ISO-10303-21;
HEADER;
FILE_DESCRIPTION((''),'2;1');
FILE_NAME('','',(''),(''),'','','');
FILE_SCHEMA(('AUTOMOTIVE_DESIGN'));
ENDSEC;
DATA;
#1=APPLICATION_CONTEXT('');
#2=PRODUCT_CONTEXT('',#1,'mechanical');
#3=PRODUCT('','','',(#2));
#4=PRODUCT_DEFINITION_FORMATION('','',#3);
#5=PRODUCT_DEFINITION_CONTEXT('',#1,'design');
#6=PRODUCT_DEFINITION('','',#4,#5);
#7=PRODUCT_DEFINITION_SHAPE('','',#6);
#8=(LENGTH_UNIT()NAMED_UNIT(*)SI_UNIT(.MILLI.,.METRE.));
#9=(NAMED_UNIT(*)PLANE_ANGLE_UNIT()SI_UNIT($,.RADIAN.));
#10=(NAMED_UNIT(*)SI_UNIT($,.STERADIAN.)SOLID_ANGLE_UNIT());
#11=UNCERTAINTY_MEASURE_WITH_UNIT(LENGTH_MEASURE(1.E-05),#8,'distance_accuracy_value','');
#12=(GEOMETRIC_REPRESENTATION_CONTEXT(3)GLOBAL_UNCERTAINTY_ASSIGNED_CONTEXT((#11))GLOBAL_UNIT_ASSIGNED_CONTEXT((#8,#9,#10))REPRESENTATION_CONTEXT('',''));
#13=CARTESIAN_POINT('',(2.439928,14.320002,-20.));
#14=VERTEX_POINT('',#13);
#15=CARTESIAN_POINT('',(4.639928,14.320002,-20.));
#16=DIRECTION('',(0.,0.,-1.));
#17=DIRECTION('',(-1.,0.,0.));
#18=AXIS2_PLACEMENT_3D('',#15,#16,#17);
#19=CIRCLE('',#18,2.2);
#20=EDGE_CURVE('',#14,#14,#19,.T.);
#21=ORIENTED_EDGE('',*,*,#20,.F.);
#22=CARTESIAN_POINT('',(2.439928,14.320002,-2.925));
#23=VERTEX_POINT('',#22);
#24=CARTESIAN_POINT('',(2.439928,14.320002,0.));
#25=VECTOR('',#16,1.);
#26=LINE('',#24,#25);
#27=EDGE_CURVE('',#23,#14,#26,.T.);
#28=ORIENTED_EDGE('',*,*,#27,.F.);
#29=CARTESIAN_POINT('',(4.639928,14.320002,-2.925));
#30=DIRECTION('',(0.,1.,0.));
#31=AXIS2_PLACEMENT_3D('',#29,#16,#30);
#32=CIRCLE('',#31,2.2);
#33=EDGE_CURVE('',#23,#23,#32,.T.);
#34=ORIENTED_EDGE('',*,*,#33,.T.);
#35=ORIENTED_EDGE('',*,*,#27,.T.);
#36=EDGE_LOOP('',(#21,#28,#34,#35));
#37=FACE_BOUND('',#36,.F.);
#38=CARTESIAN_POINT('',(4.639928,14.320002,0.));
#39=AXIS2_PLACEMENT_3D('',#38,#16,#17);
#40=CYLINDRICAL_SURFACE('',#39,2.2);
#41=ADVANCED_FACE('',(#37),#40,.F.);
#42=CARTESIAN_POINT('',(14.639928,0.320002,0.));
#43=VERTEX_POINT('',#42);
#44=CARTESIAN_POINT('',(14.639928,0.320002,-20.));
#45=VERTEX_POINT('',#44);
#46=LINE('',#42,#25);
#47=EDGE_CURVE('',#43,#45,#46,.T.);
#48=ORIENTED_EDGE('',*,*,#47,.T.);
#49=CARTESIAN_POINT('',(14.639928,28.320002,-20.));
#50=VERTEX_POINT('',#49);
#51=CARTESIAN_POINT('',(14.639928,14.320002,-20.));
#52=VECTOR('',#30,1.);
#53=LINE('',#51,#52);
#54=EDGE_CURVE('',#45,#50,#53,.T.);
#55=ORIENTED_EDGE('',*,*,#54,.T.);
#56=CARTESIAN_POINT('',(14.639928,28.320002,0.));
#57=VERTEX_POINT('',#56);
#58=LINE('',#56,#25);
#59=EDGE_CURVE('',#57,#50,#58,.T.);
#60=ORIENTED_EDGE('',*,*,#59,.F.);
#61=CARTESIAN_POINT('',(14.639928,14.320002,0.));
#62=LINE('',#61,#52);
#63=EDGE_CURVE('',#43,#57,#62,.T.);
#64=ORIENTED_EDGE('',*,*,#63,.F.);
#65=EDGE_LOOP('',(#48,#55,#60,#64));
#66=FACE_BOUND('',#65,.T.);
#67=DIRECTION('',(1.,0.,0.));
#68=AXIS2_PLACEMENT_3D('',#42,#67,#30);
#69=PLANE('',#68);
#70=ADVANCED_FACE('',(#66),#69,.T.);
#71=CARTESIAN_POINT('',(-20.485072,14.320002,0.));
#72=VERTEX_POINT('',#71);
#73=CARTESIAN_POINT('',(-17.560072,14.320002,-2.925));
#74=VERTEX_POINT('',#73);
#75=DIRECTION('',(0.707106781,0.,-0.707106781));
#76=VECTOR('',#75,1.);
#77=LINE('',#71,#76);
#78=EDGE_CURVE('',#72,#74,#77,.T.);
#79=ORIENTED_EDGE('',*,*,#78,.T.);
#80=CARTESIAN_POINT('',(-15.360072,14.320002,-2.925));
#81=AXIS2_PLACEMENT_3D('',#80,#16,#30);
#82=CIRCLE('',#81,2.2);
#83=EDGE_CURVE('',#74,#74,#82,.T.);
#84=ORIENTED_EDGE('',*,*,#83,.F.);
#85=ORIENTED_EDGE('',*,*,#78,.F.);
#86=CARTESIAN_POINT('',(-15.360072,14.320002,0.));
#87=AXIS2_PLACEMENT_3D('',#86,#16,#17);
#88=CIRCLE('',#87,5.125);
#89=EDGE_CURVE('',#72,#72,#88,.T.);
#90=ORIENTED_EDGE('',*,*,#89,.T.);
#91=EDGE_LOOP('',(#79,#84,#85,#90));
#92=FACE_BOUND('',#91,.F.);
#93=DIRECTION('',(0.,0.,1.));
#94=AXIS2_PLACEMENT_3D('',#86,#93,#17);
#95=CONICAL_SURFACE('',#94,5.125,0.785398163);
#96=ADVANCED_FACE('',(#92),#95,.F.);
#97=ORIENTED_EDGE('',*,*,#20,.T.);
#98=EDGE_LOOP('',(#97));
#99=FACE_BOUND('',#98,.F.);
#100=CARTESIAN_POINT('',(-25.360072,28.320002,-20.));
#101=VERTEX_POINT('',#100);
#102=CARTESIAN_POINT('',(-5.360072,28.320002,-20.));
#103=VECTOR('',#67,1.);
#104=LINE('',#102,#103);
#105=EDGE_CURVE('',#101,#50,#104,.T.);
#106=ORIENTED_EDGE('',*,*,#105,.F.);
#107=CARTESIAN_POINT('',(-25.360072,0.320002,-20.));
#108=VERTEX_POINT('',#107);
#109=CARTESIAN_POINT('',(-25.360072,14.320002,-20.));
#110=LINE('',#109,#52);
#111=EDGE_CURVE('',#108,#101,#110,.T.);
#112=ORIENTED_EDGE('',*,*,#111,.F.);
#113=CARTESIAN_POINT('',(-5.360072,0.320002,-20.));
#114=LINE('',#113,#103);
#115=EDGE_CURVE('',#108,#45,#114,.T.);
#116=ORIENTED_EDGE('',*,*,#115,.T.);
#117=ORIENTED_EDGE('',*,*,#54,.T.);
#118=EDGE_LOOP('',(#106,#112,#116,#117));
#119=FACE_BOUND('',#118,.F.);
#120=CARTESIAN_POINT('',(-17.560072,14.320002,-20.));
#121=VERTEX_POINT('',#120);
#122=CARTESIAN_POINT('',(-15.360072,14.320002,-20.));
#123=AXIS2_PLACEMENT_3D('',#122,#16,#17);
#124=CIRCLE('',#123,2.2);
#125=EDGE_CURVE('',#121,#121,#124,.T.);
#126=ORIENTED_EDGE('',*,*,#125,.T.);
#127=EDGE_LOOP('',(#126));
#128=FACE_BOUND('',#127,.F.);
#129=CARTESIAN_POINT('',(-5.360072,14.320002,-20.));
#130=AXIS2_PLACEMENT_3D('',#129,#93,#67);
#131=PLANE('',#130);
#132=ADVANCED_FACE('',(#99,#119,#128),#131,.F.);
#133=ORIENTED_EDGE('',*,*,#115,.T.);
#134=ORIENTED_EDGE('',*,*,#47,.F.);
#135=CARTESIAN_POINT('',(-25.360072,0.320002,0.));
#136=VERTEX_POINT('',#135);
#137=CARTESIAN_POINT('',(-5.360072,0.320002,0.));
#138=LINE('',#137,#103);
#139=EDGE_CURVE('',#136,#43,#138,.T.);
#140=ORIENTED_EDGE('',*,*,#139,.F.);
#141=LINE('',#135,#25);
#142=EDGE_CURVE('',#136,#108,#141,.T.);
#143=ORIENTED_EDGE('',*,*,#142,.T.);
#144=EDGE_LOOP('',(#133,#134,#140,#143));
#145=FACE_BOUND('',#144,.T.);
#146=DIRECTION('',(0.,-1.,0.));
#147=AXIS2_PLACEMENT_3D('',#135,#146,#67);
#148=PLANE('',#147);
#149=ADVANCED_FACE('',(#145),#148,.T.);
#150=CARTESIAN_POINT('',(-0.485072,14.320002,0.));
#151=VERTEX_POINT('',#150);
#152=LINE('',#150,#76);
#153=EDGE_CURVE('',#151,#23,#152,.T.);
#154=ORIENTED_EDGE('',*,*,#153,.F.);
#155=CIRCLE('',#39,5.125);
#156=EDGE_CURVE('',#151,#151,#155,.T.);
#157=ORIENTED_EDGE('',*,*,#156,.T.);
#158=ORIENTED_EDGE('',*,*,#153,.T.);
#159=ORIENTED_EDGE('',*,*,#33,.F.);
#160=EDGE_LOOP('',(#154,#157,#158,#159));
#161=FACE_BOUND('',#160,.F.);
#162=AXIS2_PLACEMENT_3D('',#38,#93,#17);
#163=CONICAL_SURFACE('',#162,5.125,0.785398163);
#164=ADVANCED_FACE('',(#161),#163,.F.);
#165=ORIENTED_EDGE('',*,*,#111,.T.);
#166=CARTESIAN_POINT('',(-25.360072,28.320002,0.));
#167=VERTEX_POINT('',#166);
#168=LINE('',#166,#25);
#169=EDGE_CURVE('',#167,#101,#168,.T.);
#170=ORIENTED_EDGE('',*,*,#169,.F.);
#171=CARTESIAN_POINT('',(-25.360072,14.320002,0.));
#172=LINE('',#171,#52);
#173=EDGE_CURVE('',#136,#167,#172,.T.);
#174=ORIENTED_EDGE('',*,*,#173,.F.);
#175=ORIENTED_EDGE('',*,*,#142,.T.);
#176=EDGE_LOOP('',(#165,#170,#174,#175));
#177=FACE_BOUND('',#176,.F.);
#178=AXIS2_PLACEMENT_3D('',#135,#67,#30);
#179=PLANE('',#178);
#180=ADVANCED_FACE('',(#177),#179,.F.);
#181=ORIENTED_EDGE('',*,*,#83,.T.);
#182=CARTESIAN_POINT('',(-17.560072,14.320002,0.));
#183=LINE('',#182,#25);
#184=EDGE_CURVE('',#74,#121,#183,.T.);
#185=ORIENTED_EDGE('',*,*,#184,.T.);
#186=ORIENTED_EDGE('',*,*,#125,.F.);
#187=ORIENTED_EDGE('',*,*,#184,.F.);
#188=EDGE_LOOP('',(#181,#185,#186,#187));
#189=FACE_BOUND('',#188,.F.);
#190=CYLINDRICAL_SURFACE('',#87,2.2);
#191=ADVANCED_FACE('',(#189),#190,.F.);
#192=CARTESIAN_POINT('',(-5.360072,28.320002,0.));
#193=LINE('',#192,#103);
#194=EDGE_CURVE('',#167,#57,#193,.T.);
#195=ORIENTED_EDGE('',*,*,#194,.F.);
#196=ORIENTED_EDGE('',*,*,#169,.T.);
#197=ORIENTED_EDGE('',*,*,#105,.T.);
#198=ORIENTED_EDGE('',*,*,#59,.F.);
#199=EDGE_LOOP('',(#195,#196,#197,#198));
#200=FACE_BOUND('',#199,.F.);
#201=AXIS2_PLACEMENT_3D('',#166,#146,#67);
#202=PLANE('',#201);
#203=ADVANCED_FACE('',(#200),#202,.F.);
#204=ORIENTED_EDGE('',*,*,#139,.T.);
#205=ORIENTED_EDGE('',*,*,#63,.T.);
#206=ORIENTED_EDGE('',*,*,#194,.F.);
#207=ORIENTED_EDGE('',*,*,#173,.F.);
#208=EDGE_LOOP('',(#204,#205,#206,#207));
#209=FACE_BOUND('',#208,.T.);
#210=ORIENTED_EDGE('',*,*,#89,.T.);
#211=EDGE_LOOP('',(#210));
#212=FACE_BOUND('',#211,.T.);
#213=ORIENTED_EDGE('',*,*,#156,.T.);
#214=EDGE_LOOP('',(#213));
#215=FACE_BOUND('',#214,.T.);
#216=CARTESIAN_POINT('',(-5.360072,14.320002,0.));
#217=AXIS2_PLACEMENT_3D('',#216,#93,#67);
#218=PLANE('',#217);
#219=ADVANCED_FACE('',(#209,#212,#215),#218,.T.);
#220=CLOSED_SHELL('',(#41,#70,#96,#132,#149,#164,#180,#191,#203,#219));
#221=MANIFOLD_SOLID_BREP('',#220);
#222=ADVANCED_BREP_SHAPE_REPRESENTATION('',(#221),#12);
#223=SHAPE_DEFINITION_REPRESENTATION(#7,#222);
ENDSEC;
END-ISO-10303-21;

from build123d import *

# Parameters (mm, degrees)
F0_W           = 40
F0_H           = 28
F0_R           = 2.2
F1_DEPTH       = 20
F2_D           = 4.4
F2_CSINK_D     = 10.25
F2_CSINK_ANGLE = 90


with BuildPart() as f1:
    # F0 (on Top) → F1 (new body)
    with BuildSketch(Plane.XY):
        with Locations((-5.360072, 14.320002)):
            Rectangle(F0_W, F0_H)
        with Locations((-15.360072, 14.320002)):
            Circle(F0_R, mode=Mode.SUBTRACT)
        with Locations((4.639928, 14.320002)):
            Circle(F0_R, mode=Mode.SUBTRACT)
        with Locations((-15.360072, 14.320002)):
            Circle(F0_R)
        with Locations((4.639928, 14.320002)):
            Circle(F0_R)
    extrude(amount=-F1_DEPTH)

    # F2 (through all)
    with Locations(Plane.XY):
        with Locations((4.639928, 14.320002), (-15.360072, 14.320002)):
            CounterSinkHole(F2_D / 2, F2_CSINK_D / 2, counter_sink_angle=F2_CSINK_ANGLE)


solid = f1.part
